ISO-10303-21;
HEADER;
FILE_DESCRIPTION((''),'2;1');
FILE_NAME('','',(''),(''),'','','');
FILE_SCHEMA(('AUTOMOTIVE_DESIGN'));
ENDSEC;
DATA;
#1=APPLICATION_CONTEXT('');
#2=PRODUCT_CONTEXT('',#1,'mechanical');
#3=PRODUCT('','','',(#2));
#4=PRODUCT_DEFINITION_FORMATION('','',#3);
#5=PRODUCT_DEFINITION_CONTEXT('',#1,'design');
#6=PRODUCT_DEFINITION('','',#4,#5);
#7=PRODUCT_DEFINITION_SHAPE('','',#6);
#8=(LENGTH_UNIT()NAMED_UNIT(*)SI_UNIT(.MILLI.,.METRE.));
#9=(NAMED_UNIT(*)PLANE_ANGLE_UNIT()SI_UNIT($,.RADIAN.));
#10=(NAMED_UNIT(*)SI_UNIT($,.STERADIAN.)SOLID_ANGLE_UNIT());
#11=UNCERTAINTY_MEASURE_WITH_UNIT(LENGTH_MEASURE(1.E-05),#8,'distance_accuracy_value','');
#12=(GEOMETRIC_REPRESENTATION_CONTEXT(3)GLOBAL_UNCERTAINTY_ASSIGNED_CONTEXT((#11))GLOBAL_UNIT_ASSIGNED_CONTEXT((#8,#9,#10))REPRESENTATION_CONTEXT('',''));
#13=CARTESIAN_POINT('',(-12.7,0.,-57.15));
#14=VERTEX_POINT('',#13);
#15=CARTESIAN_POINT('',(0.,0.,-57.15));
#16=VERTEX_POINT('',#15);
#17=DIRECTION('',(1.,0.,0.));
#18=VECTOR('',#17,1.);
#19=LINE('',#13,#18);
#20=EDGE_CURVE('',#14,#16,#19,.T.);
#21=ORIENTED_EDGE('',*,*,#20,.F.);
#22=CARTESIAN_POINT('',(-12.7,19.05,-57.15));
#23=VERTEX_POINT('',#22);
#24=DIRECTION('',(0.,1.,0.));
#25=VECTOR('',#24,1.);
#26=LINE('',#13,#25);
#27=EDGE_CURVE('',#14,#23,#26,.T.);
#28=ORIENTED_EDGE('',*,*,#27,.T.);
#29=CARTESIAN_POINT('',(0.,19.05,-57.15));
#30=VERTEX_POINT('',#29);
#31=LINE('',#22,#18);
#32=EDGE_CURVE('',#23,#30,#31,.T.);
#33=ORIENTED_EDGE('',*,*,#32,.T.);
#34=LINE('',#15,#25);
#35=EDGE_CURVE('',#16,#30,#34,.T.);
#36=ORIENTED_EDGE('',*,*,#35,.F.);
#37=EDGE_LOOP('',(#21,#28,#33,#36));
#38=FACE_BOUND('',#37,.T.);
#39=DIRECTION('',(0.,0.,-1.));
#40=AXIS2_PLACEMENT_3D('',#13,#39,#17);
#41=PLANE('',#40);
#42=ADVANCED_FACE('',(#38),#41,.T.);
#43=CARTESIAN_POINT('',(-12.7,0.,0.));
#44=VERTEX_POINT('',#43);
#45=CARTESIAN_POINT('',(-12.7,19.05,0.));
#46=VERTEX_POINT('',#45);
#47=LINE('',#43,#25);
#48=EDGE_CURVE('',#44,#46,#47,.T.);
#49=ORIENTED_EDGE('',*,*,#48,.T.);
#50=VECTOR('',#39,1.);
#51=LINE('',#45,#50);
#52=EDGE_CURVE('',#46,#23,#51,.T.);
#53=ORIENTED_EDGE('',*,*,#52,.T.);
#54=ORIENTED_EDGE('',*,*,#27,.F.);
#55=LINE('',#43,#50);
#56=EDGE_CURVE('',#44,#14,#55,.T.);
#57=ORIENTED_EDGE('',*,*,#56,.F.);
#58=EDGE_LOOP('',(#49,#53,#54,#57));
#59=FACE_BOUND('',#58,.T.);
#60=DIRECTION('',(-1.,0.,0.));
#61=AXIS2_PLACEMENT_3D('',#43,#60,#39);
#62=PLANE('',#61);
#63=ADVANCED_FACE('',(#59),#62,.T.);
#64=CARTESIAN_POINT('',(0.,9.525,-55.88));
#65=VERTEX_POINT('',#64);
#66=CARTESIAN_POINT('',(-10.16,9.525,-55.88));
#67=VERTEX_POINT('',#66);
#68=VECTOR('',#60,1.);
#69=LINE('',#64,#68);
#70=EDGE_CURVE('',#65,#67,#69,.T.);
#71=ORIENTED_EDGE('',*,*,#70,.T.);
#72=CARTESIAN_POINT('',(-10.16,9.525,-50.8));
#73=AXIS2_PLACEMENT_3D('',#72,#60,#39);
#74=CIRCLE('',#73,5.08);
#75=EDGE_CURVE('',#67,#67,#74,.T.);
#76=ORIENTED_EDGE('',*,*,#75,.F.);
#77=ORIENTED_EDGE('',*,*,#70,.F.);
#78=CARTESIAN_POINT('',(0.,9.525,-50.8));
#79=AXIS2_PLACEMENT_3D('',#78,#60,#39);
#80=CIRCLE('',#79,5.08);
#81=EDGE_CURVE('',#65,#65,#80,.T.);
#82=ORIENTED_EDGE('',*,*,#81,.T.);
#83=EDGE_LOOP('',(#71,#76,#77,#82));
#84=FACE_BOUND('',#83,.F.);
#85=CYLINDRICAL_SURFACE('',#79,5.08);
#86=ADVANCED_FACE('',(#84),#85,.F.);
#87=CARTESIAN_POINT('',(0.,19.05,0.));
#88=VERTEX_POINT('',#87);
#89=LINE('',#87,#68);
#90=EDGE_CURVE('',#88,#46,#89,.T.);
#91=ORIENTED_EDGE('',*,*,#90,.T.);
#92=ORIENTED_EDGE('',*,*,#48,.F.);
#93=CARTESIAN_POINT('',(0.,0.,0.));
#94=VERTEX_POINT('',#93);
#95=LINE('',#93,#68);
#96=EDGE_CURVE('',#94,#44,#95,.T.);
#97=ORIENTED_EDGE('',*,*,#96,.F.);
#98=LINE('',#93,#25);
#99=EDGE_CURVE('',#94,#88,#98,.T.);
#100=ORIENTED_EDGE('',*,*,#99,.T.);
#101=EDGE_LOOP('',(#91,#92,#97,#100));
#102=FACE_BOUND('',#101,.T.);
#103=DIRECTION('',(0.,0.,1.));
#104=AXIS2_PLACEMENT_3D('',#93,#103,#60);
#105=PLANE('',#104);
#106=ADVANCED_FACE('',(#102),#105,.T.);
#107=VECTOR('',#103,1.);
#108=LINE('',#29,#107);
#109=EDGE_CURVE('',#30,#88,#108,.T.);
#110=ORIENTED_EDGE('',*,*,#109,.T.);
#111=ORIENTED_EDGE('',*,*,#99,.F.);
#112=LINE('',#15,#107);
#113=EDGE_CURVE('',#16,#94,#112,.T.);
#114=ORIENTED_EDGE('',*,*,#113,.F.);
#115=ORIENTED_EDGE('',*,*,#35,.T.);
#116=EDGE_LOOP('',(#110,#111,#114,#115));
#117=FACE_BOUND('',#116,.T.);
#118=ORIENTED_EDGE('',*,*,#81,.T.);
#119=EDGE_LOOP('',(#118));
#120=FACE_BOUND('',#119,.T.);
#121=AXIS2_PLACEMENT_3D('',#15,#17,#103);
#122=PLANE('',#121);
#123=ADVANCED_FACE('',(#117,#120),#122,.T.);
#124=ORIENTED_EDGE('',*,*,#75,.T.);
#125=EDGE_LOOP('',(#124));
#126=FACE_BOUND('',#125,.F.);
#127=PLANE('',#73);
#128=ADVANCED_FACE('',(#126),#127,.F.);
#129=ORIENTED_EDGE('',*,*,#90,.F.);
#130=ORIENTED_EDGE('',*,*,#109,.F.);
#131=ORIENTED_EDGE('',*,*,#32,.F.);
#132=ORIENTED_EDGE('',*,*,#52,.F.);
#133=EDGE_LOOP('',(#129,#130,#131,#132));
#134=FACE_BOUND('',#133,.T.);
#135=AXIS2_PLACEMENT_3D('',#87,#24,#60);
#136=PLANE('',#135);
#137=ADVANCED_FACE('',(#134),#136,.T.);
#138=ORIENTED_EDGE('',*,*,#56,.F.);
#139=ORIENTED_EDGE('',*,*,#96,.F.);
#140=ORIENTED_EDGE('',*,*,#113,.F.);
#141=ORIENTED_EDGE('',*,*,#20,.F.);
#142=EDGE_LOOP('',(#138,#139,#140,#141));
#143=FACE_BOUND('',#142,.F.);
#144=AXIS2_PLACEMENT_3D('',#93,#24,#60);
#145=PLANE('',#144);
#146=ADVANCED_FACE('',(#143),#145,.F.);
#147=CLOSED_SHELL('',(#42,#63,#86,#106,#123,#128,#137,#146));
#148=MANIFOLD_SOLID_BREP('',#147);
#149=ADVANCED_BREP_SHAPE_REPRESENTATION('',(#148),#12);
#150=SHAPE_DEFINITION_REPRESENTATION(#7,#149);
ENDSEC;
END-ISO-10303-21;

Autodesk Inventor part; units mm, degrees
ref_plane "YZ Plane" through (0, 0, 0) normal (1, 0, 0) x (0, 1, 0)
ref_plane "XZ Plane" through (0, 0, 0) normal (0, 1, 0) x (-1, 0, 0)
ref_plane "XY Plane" through (0, 0, 0) normal (0, 0, 1) x (1, 0, 0)
sketch "Sketch1" plane through (0, 0, 0) normal (0, 1, 0) x (-1, 0, 0)
  line L0 (0, 0) -> (12.7, 0)
  line L1 (12.7, 0) -> (12.7, -57.15)
  line L2 (12.7, -57.15) -> (0, -57.15)
  line L3 (0, -57.15) -> (0, 0)
  dimension "d0" = 57.15
  dimension "d1" = 12.7
extrude "Extrusion1" add sketch "Sketch1" along normal blind 19.05
sketch "Sketch2" plane through (0, 0, 0) normal (1, 0, 0) x (0, 0, -1)
  line L0 (57.15, 0) -> (0, 0) projected
  line L1 (57.15, 0) -> (57.15, 19.05) projected
  line L2 (0, 19.05) -> (57.15, 19.05) projected
  line L3 (0, 0) -> (0, 19.05) projected
  point P0 (50.8, 9.525)
  dimension "d4" = 50.8
hole "Hole1" at (0, 9.525, -50.8) direction (-1, 0, 0) diameter 10.16 depth 10.16
properties part number "spring post"
